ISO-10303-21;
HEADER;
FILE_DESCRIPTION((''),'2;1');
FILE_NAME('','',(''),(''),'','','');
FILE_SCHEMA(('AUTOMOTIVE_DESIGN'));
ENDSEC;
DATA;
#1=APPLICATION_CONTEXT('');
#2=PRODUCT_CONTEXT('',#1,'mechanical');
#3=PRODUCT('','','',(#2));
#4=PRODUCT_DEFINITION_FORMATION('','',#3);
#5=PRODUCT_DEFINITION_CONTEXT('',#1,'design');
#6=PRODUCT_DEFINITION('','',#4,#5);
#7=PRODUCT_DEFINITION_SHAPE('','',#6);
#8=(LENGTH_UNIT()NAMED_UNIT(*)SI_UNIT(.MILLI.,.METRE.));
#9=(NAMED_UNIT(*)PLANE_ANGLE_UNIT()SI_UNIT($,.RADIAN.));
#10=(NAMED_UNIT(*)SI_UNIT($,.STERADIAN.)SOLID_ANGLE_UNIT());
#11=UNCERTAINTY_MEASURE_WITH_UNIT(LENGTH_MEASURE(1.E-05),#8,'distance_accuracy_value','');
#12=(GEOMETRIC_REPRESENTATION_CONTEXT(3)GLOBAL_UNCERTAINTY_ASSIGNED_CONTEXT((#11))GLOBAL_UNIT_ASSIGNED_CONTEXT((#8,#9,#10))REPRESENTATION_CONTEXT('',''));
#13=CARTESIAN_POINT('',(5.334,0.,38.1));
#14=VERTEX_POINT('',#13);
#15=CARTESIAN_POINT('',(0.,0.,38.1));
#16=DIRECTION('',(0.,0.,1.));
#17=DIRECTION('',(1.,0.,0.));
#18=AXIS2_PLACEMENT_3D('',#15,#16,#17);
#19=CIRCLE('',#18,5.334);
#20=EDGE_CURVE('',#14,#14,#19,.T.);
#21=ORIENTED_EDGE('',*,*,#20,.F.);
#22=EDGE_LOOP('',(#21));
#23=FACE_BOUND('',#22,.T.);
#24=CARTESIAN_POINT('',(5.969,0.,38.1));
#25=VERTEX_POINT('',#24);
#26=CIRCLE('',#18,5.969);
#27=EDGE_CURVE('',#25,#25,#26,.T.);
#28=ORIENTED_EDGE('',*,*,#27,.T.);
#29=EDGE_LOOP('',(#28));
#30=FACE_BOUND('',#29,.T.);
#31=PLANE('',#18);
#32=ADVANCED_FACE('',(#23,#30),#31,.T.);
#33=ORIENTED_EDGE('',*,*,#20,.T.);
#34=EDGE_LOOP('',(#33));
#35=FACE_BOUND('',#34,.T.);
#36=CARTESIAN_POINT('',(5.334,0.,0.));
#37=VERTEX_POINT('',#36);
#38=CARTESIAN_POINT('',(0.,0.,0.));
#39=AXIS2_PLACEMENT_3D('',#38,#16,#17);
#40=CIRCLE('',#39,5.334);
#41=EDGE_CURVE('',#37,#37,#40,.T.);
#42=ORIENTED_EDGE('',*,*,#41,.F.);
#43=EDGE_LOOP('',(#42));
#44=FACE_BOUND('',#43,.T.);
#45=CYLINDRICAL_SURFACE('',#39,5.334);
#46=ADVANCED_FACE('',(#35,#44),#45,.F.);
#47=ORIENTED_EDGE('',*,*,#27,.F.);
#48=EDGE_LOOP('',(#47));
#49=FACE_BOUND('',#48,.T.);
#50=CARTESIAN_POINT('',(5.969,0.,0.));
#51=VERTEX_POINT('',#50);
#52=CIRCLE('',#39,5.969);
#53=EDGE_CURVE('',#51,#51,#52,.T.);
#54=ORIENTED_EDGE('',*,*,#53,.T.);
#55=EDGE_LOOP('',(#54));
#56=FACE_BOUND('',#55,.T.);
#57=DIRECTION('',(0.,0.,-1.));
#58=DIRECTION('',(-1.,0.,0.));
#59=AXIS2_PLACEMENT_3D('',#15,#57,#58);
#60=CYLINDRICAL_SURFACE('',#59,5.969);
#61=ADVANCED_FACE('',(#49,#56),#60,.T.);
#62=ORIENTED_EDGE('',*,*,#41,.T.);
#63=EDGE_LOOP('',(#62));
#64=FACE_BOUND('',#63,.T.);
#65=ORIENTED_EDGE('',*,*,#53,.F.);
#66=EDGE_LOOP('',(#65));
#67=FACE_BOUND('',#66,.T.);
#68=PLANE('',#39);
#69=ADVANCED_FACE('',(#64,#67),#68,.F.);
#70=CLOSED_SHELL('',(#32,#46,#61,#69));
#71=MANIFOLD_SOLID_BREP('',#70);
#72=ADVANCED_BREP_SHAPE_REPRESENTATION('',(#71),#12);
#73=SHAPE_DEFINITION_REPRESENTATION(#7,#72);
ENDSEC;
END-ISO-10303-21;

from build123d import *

# Parameters (mm, degrees)
SKETCH1_R           = 5.969
BOSS_EXTRUDE1_DEPTH = 38.1
SKETCH2_R           = 5.334
CUT_EXTRUDE1_DEPTH  = 38.1


with BuildPart() as part:
    # Sketch1 → Boss-Extrude1 (new body)
    with BuildSketch(Plane.XY):
        Circle(SKETCH1_R)
    extrude(amount=BOSS_EXTRUDE1_DEPTH)

    # Sketch2 → Cut-Extrude1 (cut)
    with BuildSketch(Plane.XY.offset(38.1)):
        Circle(SKETCH2_R)
    extrude(amount=-CUT_EXTRUDE1_DEPTH, mode=Mode.SUBTRACT)


solid = part.part
